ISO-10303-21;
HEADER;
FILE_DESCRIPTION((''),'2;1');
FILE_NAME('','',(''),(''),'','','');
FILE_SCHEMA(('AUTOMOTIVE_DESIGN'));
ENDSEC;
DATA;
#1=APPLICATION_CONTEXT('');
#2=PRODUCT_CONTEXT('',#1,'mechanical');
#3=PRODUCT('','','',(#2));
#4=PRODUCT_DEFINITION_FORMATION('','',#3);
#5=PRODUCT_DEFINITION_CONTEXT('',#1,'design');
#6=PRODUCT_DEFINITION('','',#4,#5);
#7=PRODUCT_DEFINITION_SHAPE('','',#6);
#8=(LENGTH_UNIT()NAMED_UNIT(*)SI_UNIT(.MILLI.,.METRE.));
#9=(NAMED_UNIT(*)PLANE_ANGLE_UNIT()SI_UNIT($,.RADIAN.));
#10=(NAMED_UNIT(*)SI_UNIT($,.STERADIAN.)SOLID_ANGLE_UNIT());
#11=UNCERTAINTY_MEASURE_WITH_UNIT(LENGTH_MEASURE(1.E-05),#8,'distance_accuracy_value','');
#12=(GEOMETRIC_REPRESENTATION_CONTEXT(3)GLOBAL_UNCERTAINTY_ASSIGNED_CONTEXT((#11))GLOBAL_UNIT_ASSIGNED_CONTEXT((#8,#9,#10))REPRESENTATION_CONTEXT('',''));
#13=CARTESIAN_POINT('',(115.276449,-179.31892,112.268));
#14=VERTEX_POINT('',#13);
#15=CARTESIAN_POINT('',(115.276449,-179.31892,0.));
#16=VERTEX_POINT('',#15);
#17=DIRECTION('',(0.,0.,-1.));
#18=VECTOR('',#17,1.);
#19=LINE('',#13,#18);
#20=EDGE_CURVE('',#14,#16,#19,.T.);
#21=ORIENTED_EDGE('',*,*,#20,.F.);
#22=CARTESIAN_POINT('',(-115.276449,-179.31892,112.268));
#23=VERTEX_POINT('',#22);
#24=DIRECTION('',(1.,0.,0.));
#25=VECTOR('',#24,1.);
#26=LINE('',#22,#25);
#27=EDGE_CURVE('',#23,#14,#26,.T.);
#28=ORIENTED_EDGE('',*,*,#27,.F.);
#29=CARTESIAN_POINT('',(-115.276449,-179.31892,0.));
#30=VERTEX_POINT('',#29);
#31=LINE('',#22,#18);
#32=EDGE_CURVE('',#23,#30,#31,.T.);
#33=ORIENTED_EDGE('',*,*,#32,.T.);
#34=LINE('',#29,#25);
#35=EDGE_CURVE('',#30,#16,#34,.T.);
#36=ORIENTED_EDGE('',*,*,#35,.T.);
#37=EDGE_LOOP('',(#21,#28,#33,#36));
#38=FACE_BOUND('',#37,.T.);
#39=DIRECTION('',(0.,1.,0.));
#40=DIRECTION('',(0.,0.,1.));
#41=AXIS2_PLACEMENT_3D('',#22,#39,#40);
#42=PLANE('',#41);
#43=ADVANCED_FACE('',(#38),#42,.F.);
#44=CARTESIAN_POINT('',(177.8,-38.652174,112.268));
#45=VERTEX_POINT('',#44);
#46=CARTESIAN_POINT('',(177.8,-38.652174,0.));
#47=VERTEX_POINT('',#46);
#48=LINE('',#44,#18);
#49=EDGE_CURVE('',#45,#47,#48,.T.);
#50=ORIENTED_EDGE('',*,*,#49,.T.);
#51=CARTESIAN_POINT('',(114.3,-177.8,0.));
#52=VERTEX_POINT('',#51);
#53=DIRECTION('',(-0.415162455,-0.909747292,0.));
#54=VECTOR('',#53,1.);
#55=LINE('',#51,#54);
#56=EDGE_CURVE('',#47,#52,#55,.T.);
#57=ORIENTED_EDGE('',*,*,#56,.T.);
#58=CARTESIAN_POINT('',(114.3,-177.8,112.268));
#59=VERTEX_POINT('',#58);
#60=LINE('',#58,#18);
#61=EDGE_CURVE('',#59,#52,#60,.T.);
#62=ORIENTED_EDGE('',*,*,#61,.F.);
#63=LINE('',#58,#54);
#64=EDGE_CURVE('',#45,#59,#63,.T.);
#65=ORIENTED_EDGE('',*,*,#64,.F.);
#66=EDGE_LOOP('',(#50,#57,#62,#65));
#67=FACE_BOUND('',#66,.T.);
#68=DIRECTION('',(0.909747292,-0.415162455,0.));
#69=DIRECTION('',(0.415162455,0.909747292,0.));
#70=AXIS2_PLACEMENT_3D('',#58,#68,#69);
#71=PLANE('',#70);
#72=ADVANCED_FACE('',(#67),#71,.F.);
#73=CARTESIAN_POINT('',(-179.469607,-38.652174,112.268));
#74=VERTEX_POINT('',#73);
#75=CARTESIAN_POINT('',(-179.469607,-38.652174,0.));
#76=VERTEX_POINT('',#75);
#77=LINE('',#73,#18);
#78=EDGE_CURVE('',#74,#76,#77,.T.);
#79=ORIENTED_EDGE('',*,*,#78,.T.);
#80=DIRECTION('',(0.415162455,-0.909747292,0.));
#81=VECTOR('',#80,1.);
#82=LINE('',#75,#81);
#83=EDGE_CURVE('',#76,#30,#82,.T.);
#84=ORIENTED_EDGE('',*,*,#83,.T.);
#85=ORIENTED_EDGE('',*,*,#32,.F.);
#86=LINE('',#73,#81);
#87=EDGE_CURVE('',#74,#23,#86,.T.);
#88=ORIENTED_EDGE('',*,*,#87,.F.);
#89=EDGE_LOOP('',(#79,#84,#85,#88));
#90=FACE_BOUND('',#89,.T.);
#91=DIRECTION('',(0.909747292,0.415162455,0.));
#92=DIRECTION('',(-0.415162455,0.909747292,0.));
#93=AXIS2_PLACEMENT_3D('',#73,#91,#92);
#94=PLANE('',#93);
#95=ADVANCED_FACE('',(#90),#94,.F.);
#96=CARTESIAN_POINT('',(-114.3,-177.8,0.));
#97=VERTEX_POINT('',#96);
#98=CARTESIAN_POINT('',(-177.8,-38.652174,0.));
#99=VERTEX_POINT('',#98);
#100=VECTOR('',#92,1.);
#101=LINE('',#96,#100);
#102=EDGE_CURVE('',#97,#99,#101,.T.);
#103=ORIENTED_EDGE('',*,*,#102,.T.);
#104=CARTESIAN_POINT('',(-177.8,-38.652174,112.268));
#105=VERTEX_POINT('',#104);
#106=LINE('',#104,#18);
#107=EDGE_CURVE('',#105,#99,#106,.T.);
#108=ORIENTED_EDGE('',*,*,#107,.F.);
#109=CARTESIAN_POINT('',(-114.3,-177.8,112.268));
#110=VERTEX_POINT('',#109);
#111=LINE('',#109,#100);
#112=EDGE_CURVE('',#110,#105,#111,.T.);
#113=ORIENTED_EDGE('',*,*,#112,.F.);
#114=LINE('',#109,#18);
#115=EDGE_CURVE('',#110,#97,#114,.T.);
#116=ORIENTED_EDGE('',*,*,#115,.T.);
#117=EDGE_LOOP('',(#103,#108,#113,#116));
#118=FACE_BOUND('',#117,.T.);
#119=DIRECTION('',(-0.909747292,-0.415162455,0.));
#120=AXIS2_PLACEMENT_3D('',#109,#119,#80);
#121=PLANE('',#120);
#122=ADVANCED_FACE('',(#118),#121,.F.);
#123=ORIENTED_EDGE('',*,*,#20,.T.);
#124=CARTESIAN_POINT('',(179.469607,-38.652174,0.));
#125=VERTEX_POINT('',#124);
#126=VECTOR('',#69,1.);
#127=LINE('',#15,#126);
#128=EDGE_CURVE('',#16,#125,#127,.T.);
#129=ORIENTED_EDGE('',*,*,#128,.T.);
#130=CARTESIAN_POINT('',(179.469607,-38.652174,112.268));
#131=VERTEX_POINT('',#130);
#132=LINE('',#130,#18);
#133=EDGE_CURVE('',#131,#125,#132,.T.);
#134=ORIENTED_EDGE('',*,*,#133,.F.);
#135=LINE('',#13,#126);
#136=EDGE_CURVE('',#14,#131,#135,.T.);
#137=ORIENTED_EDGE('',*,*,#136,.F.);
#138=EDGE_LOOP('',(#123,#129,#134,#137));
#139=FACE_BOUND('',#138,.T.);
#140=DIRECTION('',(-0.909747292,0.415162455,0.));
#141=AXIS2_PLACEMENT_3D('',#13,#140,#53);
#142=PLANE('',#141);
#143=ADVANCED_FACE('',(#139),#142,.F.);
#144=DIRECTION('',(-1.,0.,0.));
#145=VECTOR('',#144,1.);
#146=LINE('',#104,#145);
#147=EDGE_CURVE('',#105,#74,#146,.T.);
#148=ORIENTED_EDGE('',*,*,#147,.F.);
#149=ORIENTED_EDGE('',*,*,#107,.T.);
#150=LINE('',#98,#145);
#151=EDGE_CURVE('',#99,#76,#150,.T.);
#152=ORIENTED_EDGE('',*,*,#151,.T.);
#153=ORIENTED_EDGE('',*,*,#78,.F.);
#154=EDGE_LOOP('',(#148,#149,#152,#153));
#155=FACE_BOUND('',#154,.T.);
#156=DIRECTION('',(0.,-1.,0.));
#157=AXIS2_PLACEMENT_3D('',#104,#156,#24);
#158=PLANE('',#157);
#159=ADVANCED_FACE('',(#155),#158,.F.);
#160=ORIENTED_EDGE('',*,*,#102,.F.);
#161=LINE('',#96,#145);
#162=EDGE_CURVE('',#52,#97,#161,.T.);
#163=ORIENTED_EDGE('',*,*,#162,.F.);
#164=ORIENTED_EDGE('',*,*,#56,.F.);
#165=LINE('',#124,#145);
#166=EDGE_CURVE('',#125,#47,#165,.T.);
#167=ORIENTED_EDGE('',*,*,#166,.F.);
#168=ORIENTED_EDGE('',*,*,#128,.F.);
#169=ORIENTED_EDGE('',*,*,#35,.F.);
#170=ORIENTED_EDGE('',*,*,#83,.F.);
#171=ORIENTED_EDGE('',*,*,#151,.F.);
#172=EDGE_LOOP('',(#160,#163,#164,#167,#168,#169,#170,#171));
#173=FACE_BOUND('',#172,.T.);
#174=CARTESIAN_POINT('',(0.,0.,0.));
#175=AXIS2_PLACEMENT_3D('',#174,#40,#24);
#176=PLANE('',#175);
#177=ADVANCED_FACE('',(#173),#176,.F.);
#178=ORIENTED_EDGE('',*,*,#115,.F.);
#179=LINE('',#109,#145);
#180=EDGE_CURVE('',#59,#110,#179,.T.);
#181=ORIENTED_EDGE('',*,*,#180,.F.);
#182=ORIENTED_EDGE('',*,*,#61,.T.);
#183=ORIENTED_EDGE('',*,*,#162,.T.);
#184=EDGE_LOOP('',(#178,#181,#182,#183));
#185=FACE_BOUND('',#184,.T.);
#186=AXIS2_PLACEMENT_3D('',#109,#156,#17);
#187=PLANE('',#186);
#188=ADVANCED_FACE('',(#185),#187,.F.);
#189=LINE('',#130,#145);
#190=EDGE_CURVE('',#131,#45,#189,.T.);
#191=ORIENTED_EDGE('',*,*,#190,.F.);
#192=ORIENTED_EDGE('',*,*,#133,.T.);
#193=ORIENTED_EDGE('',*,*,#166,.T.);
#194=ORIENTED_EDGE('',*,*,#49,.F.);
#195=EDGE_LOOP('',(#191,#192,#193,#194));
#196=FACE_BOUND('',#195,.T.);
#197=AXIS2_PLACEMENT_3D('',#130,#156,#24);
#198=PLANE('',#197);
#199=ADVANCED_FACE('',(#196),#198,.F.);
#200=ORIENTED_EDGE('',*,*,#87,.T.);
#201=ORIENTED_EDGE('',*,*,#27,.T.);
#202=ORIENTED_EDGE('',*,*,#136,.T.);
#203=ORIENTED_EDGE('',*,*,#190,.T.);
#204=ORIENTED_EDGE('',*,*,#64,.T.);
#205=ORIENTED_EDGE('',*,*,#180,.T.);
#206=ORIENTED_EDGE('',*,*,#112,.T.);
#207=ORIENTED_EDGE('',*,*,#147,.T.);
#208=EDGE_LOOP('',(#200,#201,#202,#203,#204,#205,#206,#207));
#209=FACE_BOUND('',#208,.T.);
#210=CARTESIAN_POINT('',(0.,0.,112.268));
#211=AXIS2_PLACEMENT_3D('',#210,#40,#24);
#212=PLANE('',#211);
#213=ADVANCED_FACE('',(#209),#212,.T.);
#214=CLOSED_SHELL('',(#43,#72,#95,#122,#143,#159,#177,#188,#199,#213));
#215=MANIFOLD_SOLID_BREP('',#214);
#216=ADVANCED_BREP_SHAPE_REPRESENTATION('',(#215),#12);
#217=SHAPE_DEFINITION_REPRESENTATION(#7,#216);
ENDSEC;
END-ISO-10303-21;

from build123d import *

# Parameters (mm, degrees)
BOSS_EXTRUDE1_DEPTH = 112.268


with BuildPart() as part:
    # Sketch1 → Boss-Extrude1 (new body)
    with BuildSketch(Plane.XY):
        Polygon((-114.3, -177.8), (114.3, -177.8), (177.8, -38.652173913), (179.469606508, -38.652173913), (115.276448571, -179.31892), (-115.276448571, -179.31892), (-179.469606508, -38.652173913), (-177.8, -38.652173913), align=None)
    extrude(amount=BOSS_EXTRUDE1_DEPTH)


solid = part.part
